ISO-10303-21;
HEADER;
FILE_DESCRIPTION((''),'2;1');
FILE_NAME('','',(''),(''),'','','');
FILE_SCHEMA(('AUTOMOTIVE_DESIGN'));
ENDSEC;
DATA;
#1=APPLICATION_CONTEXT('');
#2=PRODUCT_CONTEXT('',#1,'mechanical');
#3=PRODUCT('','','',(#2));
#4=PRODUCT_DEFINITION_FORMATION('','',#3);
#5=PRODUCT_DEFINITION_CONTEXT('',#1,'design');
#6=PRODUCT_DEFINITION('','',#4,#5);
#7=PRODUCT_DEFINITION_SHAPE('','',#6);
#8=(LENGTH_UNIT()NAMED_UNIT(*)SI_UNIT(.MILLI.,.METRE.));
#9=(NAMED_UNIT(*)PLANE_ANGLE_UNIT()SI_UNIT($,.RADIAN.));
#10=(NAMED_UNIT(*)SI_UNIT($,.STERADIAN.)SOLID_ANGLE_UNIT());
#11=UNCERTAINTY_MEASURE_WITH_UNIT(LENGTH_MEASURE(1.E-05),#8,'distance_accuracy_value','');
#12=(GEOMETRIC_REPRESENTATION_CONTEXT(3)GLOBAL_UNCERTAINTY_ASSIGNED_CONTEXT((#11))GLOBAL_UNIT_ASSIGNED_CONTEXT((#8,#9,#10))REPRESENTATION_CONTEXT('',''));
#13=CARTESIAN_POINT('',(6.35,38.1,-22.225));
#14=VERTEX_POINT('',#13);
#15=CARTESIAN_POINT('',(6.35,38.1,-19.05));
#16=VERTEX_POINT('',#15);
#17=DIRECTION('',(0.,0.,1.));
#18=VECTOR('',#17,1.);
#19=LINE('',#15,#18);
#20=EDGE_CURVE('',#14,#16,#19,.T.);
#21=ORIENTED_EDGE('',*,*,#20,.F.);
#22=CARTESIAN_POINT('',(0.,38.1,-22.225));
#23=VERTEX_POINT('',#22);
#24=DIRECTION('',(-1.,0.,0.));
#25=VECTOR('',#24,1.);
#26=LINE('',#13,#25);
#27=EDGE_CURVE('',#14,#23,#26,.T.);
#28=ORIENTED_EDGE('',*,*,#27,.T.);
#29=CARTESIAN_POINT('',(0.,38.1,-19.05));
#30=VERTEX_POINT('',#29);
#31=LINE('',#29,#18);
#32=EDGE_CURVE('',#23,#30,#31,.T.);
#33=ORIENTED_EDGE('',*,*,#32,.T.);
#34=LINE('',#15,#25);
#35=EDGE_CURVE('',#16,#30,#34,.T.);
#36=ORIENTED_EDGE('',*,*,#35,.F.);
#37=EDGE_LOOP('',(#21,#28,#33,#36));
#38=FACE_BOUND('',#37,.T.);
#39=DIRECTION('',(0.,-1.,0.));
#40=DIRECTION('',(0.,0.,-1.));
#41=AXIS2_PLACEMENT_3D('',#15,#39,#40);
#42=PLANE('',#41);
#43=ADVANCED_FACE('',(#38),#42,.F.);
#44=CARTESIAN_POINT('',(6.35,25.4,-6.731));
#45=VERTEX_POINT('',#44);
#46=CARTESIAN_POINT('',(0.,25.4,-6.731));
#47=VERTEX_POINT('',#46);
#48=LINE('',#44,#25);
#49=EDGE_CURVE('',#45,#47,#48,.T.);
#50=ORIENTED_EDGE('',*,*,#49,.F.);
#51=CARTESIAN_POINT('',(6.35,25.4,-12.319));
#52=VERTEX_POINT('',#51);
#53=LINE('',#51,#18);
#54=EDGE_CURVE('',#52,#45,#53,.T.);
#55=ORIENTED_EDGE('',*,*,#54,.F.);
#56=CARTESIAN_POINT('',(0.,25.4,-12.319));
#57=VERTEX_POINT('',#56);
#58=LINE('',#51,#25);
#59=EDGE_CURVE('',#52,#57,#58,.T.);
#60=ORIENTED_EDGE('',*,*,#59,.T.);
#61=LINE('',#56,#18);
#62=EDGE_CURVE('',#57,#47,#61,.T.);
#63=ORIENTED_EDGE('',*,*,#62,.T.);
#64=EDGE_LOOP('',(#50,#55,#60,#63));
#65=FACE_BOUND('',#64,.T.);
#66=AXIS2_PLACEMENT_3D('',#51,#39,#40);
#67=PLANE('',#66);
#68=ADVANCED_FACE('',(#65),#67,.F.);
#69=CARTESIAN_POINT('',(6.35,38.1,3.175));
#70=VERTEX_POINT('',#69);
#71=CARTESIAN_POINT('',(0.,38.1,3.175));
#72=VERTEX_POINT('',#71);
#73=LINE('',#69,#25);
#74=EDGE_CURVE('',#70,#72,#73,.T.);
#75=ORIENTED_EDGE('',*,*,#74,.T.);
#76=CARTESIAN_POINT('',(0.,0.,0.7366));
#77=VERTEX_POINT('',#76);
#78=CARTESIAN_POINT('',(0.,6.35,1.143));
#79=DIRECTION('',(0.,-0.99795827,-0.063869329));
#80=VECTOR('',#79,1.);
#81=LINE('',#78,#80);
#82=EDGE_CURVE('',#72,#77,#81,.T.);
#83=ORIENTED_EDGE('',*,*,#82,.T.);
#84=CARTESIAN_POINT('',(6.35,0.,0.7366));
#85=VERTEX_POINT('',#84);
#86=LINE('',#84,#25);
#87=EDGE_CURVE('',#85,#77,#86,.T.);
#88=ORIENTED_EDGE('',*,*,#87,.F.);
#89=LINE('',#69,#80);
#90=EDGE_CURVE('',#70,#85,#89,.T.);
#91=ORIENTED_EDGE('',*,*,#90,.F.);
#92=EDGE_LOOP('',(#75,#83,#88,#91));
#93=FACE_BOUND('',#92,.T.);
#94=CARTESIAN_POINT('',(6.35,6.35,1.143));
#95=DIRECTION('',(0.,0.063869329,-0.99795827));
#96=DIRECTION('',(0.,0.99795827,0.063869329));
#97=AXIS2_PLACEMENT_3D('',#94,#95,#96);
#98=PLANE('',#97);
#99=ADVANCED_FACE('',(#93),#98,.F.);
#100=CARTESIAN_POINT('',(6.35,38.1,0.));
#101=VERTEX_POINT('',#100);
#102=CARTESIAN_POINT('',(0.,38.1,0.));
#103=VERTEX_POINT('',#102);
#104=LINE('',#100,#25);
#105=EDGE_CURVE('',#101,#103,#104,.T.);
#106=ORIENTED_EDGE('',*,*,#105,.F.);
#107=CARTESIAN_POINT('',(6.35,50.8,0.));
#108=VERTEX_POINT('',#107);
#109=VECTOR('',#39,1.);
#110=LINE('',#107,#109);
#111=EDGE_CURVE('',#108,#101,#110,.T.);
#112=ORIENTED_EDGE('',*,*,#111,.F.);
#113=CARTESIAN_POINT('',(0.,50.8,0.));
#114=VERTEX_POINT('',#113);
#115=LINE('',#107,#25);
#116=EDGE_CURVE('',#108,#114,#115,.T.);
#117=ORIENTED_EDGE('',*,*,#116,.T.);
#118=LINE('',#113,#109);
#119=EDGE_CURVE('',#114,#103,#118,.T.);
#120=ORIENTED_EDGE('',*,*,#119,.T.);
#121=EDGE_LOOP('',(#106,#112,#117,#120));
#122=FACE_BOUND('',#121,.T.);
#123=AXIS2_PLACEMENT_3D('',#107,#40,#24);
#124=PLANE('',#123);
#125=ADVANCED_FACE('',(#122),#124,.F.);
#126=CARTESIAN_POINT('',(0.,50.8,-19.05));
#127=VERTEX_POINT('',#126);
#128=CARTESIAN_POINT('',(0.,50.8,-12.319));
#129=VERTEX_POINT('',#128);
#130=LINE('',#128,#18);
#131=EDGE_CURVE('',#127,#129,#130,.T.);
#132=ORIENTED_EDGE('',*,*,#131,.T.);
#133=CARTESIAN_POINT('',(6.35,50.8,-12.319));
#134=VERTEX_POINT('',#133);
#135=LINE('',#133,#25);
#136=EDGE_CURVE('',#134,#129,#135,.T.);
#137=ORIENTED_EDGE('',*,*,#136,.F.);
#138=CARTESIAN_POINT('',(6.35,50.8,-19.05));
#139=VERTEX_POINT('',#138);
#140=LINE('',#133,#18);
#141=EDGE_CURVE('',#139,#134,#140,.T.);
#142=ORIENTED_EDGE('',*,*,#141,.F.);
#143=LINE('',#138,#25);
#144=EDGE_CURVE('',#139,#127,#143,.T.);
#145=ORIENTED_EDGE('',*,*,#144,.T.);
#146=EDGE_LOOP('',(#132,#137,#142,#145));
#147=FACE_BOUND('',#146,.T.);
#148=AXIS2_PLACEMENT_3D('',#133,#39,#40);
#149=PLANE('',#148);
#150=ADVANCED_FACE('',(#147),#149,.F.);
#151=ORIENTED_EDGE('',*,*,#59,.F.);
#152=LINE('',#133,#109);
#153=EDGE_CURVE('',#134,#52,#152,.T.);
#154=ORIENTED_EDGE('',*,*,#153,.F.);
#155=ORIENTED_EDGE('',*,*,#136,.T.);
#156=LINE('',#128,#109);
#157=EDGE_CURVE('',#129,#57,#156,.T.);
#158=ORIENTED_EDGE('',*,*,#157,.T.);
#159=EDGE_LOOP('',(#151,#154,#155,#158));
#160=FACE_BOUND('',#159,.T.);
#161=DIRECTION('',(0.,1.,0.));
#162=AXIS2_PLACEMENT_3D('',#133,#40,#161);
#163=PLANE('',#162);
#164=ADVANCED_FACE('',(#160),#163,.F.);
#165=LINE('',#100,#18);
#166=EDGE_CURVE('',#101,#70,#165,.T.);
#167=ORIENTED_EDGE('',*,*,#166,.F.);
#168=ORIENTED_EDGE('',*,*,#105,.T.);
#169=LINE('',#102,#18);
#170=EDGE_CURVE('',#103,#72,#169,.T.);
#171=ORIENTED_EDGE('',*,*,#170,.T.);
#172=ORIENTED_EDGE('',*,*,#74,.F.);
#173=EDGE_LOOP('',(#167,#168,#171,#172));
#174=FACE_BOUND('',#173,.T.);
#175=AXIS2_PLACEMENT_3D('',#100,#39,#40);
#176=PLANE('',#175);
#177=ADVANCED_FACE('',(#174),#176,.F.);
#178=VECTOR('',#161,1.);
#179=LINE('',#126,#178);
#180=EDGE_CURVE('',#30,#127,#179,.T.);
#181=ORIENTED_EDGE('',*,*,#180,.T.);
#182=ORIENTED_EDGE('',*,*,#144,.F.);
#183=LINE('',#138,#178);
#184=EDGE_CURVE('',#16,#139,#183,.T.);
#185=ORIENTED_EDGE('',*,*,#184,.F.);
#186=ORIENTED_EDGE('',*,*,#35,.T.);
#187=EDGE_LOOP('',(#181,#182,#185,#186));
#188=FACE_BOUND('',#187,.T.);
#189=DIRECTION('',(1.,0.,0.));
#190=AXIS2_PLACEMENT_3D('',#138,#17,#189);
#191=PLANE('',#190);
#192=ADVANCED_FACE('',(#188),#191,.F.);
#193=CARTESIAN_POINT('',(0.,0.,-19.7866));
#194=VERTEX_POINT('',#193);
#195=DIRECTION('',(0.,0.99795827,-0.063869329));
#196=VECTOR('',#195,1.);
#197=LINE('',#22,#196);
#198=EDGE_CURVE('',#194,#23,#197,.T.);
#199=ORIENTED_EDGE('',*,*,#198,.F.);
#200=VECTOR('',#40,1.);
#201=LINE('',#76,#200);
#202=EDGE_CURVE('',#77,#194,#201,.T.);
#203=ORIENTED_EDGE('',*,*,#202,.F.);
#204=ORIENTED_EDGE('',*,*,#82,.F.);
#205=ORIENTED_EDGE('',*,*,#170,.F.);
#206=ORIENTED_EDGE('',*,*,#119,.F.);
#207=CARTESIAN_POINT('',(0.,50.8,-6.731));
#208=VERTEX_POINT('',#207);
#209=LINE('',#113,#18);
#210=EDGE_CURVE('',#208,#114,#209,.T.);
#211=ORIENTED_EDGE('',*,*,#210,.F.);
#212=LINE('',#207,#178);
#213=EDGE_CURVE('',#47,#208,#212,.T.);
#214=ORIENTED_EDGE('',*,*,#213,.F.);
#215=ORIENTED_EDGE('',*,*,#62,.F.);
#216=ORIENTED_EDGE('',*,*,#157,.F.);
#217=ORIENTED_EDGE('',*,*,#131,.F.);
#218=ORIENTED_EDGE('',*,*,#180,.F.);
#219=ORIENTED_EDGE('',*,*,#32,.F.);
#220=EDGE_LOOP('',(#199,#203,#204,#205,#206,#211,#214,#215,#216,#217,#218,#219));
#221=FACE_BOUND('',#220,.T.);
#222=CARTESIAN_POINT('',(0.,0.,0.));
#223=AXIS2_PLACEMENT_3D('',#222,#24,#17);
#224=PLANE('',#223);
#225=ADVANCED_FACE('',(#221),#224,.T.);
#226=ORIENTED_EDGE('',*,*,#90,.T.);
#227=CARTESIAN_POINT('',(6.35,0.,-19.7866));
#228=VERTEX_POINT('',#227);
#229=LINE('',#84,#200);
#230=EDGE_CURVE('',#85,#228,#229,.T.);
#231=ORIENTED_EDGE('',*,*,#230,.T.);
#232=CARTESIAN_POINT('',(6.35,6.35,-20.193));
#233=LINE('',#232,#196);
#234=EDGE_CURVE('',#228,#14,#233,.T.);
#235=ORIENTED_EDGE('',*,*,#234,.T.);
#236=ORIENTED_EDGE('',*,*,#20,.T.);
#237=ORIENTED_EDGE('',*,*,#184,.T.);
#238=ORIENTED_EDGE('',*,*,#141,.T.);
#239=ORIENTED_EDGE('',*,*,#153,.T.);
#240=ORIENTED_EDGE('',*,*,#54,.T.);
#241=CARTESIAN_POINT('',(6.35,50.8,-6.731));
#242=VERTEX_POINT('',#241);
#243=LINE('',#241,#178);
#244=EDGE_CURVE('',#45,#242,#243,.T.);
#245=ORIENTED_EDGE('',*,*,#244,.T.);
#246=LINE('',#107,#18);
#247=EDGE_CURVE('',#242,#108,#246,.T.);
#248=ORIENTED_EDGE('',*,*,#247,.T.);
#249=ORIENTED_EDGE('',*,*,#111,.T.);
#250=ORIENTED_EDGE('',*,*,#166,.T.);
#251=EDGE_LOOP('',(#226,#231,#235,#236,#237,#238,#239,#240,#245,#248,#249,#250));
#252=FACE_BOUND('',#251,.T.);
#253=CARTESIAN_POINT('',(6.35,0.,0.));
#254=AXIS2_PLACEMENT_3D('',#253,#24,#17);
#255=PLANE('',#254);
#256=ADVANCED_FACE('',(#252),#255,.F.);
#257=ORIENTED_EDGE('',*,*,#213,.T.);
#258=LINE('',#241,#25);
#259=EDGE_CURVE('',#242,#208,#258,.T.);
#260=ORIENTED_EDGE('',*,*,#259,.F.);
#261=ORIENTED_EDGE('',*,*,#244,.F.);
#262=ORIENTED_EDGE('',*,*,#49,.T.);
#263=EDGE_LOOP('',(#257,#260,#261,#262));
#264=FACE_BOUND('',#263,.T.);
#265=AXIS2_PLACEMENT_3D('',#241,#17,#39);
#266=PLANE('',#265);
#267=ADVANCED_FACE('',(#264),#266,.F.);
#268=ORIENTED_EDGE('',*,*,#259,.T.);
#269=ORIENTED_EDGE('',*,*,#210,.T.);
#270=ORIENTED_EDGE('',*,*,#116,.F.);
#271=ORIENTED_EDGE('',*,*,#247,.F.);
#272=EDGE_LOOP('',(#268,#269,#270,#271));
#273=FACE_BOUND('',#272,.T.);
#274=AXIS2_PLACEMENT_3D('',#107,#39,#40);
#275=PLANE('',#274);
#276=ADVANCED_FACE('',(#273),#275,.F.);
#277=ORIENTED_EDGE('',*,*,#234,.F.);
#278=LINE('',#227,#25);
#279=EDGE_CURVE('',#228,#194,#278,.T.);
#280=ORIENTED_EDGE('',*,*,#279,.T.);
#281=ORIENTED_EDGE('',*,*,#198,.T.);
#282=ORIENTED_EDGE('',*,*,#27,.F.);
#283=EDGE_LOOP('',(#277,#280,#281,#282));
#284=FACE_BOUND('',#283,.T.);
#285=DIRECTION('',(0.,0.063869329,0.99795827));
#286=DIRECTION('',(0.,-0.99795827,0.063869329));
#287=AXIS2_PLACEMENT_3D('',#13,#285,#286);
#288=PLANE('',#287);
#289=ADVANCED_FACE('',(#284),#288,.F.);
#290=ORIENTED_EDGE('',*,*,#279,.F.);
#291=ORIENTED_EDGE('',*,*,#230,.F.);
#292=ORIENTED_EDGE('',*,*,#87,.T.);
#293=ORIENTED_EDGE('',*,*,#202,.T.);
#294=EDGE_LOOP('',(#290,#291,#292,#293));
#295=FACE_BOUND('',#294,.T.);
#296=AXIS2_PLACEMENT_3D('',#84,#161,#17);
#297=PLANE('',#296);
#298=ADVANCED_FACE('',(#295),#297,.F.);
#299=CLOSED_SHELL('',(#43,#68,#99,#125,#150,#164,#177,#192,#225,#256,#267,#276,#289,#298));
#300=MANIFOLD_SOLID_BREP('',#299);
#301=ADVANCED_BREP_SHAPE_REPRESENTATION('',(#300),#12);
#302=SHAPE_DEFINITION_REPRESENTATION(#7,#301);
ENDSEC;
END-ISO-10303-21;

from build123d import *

# Parameters (mm, degrees)
BOSS_EXTRUDE1_DEPTH = 6.35


with BuildPart() as part:
    # Sketch1 → Boss-Extrude1 (new body)
    with BuildSketch(Plane(origin=(0, 0, 0), x_dir=(0, 0, -1), z_dir=(1, 0, 0))):
        Polygon((0, 50.8), (6.731, 50.8), (6.731, 25.4), (12.319, 25.4), (12.319, 50.8), (19.05, 50.8), (19.05, 38.1), (22.225, 38.1), (20.193, 6.35), (19.7866, 0), (-0.7366, 0), (-1.143, 6.35), (-3.175, 38.1), (0, 38.1), align=None)
    extrude(amount=BOSS_EXTRUDE1_DEPTH)


solid = part.part
